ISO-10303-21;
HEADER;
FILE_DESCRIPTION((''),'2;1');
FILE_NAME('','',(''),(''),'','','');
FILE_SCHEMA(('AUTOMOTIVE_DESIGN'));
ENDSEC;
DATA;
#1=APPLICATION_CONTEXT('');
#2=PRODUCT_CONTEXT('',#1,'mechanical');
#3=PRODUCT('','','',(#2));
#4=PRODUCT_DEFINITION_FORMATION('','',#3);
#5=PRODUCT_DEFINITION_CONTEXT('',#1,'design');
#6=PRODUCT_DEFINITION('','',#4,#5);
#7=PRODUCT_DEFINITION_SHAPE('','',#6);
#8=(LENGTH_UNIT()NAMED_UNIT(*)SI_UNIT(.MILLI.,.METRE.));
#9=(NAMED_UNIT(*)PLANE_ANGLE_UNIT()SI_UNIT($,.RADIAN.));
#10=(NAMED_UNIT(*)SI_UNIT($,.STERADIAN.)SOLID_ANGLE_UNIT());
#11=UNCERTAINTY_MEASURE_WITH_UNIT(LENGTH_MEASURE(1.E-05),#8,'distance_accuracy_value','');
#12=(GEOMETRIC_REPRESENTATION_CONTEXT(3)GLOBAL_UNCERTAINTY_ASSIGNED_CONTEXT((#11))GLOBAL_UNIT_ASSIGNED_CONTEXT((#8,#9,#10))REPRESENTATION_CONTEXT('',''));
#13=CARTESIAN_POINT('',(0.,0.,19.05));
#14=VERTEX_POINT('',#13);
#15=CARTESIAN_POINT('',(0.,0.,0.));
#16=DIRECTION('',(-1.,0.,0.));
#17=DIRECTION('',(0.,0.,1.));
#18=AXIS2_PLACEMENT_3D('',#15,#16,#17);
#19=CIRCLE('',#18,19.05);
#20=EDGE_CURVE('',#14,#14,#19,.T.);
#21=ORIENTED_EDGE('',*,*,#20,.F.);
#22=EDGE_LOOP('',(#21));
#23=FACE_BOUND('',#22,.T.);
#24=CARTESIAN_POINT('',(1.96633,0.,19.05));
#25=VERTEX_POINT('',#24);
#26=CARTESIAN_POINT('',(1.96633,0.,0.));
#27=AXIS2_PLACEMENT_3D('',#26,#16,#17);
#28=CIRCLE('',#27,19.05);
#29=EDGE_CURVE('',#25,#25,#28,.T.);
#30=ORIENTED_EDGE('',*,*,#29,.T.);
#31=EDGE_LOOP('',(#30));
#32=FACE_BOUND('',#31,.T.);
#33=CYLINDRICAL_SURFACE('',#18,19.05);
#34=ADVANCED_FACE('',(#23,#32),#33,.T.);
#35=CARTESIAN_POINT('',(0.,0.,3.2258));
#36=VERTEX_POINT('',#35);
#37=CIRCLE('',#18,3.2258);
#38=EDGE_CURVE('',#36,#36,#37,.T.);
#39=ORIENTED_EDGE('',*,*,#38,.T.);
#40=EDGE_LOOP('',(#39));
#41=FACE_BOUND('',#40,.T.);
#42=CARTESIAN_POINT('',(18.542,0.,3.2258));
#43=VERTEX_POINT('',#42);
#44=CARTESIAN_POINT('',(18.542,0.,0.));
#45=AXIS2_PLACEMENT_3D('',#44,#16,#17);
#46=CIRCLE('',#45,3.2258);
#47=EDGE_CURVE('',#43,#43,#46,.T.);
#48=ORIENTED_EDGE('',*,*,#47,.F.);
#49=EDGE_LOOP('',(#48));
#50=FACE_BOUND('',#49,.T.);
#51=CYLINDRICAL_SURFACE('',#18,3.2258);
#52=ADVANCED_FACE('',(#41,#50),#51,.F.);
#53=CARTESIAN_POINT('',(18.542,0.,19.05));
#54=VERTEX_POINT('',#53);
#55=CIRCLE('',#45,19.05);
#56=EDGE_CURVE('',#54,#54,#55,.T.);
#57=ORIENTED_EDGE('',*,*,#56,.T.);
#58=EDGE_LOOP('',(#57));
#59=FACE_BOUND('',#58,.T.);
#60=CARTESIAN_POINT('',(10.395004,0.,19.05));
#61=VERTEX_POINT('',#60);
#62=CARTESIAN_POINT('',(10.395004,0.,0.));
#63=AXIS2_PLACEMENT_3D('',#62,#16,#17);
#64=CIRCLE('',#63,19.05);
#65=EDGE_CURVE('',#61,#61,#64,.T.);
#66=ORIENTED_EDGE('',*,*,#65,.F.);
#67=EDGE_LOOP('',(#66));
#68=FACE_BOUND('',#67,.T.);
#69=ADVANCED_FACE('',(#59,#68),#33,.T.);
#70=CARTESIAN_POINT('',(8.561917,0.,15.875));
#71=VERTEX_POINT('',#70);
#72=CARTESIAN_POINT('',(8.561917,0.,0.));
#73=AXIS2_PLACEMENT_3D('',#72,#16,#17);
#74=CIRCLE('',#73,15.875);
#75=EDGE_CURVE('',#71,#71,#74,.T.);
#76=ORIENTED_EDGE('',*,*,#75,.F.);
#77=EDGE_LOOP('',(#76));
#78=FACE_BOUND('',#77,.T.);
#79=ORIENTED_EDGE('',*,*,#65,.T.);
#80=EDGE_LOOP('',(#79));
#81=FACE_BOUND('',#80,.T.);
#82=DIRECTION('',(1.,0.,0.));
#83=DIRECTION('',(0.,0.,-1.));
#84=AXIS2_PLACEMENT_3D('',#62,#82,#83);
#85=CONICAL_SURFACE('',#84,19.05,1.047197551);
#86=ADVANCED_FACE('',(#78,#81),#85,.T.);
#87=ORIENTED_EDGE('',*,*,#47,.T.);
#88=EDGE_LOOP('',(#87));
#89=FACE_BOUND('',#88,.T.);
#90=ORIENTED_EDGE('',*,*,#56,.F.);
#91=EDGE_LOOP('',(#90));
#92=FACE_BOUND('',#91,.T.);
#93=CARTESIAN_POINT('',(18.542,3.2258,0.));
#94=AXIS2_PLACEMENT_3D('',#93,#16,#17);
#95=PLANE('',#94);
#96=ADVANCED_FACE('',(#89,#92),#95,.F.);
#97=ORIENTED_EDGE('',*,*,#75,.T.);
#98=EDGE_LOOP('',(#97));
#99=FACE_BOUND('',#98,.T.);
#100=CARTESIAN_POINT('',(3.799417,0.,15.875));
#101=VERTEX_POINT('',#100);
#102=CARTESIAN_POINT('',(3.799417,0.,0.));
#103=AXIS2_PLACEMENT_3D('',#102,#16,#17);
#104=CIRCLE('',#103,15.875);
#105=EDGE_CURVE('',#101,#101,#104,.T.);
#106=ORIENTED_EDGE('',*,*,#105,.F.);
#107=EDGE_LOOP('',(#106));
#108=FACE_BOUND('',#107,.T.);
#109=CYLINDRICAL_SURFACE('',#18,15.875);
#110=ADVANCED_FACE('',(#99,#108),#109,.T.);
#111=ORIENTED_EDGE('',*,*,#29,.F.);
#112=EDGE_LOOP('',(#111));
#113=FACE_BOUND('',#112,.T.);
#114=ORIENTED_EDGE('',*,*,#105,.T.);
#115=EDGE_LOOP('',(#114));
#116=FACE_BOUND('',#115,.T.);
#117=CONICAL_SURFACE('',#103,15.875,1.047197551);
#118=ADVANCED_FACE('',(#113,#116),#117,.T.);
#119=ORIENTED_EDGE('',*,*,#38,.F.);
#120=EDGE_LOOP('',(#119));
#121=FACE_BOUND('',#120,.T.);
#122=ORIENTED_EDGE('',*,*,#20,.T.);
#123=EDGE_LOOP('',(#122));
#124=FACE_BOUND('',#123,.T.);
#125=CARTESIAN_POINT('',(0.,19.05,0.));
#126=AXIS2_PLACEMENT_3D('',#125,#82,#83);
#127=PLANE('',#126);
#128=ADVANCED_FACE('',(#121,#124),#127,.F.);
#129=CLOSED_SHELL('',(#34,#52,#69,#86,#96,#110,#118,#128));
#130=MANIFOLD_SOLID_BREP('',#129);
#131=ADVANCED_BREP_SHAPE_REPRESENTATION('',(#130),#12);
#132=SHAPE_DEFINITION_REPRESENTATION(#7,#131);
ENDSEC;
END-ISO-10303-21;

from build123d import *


with BuildPart() as part:
    # Sketch1 → Revolve1 (revolve)
    with BuildSketch(Plane.XY, mode=Mode.PRIVATE) as revolve1_sk:
        Polygon((0, 3.2258), (18.542, 3.2258), (18.542, 19.05), (10.395003771, 19.05), (8.561916667, 15.875), (3.799416667, 15.875), (1.966329562, 19.05), (0, 19.05), align=None)
    revolve(revolve1_sk.sketch.rotate(Axis((0, 0, 0), (1, 0, 0)), 90), axis=Axis((0, 0, 0), (1, 0, 0)))


solid = part.part
